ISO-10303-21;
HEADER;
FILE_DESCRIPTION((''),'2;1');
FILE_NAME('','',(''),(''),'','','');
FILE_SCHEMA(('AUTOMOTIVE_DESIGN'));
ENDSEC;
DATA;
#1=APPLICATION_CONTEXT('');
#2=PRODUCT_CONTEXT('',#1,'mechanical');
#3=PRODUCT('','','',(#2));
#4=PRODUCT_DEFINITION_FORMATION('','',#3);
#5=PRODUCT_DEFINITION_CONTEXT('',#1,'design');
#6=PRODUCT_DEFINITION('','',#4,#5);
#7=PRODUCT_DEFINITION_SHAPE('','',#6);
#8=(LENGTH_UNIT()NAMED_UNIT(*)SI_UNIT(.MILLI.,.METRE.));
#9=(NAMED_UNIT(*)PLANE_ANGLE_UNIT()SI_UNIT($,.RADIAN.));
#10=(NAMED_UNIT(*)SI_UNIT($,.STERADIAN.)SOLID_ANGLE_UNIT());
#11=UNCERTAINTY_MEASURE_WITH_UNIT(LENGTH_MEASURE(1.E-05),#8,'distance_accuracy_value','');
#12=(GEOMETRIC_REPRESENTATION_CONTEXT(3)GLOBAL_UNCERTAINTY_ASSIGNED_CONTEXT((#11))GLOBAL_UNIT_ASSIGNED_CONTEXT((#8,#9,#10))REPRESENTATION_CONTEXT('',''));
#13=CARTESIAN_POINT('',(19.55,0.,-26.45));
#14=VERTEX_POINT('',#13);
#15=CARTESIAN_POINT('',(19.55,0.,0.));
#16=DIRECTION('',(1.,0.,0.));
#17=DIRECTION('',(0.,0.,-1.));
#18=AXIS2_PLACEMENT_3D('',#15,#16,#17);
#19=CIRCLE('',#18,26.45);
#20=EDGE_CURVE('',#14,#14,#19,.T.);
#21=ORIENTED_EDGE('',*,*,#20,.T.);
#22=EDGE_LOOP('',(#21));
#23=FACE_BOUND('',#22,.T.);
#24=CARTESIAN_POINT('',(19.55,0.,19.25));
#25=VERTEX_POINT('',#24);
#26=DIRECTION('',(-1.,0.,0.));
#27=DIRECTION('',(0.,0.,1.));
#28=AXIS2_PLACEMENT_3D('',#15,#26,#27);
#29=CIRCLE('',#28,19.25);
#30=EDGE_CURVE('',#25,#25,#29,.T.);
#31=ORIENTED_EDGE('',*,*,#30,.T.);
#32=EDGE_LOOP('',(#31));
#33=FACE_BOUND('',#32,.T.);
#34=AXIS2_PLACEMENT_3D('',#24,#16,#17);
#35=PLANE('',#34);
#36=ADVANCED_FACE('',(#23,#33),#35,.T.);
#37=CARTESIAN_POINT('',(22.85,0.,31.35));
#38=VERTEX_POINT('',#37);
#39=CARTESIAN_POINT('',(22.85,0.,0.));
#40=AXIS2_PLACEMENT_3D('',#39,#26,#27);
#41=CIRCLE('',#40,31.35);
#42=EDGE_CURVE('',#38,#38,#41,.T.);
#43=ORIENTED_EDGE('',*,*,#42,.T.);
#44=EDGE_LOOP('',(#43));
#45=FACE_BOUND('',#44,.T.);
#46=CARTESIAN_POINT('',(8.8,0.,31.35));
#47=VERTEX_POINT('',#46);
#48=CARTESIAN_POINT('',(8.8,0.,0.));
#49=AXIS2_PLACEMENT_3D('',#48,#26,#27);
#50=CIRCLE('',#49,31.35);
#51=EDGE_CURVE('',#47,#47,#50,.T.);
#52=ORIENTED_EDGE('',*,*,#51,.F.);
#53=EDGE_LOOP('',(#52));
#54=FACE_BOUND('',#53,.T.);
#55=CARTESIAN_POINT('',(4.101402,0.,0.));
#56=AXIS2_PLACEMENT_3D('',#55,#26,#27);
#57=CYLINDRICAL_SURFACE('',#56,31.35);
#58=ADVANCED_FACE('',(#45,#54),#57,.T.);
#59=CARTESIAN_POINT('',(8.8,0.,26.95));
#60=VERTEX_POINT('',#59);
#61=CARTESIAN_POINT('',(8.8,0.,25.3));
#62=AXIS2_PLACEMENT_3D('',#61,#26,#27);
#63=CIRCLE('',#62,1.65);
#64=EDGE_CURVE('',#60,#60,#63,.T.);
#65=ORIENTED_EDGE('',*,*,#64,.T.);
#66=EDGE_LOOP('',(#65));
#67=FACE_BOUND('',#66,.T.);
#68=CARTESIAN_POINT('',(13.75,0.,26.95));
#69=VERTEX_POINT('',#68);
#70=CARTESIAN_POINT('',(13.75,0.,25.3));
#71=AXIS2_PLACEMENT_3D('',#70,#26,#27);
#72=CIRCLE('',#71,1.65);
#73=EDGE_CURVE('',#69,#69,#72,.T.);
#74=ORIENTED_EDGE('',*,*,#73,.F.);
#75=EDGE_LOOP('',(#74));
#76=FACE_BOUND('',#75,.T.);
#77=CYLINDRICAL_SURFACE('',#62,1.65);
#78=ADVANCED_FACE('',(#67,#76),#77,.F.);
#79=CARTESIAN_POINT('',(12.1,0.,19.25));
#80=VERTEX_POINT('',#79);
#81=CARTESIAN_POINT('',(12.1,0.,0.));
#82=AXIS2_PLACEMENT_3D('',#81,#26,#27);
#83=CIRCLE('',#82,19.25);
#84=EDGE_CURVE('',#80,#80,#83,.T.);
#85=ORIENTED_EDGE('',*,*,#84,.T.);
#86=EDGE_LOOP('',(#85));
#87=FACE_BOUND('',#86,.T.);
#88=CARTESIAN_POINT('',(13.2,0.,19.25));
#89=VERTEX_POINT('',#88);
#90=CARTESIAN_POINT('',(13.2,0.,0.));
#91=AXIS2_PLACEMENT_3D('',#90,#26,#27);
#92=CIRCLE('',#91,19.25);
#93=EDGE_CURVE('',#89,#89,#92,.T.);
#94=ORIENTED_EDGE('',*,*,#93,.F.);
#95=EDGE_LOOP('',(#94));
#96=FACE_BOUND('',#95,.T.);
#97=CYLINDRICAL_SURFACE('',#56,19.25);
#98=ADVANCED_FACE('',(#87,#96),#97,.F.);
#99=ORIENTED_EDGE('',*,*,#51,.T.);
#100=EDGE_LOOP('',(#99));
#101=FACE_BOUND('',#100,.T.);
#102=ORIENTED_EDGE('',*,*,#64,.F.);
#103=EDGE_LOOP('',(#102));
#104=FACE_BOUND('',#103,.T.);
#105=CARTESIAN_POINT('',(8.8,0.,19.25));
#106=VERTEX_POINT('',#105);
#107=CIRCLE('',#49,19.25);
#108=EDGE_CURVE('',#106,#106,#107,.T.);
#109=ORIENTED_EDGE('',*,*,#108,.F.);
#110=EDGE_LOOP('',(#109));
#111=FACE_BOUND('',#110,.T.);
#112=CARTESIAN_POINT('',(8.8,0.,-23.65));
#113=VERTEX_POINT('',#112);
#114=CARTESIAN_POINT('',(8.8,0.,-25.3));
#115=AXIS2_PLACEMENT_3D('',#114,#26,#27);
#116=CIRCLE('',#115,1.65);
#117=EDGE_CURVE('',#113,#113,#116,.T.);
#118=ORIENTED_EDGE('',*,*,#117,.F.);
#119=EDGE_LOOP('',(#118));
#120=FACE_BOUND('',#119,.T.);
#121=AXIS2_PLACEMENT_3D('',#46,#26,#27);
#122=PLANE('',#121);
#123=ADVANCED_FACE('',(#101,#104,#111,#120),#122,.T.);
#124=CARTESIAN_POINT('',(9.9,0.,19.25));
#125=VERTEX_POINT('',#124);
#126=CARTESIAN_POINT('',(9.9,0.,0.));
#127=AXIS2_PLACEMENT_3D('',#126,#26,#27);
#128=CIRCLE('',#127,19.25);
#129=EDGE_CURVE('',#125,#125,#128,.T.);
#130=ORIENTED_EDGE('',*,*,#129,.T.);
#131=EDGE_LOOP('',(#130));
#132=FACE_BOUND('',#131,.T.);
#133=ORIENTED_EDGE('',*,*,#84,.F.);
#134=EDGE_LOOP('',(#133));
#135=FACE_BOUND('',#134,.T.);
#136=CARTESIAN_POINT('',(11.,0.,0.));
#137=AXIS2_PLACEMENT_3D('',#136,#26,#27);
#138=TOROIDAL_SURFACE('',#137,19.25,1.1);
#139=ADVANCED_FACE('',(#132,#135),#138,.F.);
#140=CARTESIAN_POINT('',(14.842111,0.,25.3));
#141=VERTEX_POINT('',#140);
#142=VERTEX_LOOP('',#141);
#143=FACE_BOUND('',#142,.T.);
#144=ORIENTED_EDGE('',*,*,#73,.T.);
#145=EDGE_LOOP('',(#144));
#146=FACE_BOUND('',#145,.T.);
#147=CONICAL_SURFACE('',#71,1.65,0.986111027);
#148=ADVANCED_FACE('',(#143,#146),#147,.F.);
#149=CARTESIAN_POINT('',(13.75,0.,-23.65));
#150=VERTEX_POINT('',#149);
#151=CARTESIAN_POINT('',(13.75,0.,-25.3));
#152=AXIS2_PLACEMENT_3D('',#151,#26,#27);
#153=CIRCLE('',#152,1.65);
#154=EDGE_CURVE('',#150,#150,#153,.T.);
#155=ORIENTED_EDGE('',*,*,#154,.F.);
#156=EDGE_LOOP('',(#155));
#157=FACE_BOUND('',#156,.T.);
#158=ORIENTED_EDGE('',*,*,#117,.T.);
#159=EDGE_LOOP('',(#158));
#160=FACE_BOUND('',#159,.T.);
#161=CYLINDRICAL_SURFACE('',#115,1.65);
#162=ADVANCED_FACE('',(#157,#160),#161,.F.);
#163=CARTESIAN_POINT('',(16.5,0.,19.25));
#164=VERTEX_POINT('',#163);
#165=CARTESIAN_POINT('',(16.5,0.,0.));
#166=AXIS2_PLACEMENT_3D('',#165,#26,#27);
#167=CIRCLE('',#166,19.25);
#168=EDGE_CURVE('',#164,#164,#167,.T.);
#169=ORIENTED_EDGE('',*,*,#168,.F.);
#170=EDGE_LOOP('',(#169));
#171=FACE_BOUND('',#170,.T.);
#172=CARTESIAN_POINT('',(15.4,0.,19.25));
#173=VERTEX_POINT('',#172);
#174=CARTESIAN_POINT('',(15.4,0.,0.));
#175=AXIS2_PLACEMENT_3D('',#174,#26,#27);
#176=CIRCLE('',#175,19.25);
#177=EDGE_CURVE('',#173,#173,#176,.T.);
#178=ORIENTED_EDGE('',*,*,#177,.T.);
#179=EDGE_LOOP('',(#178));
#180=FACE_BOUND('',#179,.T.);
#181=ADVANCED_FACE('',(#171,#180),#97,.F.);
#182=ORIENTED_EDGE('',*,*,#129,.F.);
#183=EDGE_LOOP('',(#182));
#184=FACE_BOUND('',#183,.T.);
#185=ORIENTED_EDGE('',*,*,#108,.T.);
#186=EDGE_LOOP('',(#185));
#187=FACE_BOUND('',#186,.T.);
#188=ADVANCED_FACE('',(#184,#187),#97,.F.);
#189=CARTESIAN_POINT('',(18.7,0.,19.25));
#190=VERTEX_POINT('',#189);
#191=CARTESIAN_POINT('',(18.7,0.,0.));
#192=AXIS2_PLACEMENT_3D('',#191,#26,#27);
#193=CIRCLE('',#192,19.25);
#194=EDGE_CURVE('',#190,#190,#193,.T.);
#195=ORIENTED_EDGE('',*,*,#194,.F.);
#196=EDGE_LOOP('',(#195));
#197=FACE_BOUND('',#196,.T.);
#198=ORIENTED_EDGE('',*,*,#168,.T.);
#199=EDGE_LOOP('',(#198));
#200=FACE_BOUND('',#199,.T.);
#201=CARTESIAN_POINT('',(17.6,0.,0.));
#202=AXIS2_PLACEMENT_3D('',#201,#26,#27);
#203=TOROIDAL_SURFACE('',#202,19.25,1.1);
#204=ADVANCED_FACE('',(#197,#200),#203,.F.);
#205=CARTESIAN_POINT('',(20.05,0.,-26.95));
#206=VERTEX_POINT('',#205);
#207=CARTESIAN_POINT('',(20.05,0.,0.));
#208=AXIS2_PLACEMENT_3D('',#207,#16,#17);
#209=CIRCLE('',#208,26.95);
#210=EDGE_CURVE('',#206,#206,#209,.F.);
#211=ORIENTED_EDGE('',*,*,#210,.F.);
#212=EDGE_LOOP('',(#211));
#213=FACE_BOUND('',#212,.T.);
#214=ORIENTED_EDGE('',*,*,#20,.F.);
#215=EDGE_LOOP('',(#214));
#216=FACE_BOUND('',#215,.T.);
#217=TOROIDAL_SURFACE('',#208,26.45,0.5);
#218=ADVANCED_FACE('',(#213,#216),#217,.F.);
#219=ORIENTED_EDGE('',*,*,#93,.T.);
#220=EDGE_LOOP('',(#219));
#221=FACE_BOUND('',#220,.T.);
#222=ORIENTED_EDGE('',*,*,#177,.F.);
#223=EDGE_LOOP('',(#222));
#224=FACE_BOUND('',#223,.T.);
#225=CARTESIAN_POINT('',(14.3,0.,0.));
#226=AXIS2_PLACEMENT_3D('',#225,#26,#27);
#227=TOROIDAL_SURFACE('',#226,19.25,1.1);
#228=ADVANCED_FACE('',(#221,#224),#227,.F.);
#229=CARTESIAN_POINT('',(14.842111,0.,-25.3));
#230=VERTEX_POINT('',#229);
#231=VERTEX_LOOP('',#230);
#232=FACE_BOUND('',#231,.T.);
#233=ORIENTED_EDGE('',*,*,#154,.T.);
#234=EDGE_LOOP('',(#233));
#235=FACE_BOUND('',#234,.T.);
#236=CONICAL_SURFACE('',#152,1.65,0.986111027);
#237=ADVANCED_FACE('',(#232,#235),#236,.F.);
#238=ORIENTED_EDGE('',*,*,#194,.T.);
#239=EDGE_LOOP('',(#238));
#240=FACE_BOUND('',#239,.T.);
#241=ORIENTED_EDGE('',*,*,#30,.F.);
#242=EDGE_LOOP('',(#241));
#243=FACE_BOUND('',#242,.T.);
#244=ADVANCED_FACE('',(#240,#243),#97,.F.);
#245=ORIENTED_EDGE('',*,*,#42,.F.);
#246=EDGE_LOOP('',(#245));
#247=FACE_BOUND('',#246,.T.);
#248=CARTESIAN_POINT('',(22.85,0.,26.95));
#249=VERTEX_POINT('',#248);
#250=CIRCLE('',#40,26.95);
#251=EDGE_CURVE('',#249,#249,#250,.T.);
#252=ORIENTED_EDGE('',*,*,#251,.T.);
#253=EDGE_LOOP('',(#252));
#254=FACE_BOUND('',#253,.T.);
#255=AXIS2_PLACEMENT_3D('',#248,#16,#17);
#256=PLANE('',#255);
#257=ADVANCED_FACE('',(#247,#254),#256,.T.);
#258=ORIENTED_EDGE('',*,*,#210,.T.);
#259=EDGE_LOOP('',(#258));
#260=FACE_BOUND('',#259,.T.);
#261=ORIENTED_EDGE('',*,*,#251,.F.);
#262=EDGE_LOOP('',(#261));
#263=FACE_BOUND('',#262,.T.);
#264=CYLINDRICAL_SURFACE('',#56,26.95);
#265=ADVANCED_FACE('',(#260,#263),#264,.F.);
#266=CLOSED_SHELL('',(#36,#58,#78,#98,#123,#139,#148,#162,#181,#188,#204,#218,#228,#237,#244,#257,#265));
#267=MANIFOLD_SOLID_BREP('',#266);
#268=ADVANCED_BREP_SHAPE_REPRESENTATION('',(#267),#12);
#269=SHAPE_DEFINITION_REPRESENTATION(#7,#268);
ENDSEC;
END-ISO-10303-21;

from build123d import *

# Parameters (mm, degrees)
F_3_0MM_DOWEL_HOLE2_D     = 3.3
F_3_0MM_DOWEL_HOLE2_DEPTH = 4.95
F_3_0MM_DOWEL_HOLE2_TIP   = 1.092111176
FILLET1_R                 = 0.5


with BuildPart() as part:
    # Sketch1 → Revolve1 (revolve)
    with BuildSketch(Plane(origin=(0, 0, 0), x_dir=(1, 0, 0), z_dir=(0, 1, 0))):
        with BuildLine():
            Line((8.8, -19.25), (9.9, -19.25))
            ThreePointArc((9.9, -19.25), (11, -20.35), (12.1, -19.25))
            Line((12.1, -19.25), (13.2, -19.25))
            ThreePointArc((13.2, -19.25), (14.3, -20.35), (15.4, -19.25))
            Line((15.4, -19.25), (16.5, -19.25))
            ThreePointArc((16.5, -19.25), (17.6, -20.35), (18.7, -19.25))
            Line((18.7, -19.25), (19.55, -19.25))
            Line((19.55, -19.25), (19.55, -26.95))
            Line((19.55, -26.95), (22.85, -26.95))
            Line((22.85, -26.95), (22.85, -31.35))
            Line((22.85, -31.35), (8.8, -31.35))
            Line((8.8, -31.35), (8.8, -19.25))
        make_face()
    revolve(axis=Axis((4.101402175, 0, 0), (1, 0, 0)))

    # Ø3.0mm Dowel Hole2
    with Locations(Plane.ZY.offset(-8.8)):
        with Locations((-25.3, 0), (25.3, 0)):
            Hole(F_3_0MM_DOWEL_HOLE2_D / 2, depth=F_3_0MM_DOWEL_HOLE2_DEPTH)
            with Locations((0, 0, -(F_3_0MM_DOWEL_HOLE2_DEPTH + F_3_0MM_DOWEL_HOLE2_TIP / 2))):  # 113° drill point
                Cone(0, F_3_0MM_DOWEL_HOLE2_D / 2, F_3_0MM_DOWEL_HOLE2_TIP, mode=Mode.SUBTRACT)

    # Fillet1
    fillet1_edges = [part.edges().sort_by_distance(p)[0] for p in [
        (19.55, 0, -26.95),
    ]]
    fillet(fillet1_edges, radius=FILLET1_R)


solid = part.part
